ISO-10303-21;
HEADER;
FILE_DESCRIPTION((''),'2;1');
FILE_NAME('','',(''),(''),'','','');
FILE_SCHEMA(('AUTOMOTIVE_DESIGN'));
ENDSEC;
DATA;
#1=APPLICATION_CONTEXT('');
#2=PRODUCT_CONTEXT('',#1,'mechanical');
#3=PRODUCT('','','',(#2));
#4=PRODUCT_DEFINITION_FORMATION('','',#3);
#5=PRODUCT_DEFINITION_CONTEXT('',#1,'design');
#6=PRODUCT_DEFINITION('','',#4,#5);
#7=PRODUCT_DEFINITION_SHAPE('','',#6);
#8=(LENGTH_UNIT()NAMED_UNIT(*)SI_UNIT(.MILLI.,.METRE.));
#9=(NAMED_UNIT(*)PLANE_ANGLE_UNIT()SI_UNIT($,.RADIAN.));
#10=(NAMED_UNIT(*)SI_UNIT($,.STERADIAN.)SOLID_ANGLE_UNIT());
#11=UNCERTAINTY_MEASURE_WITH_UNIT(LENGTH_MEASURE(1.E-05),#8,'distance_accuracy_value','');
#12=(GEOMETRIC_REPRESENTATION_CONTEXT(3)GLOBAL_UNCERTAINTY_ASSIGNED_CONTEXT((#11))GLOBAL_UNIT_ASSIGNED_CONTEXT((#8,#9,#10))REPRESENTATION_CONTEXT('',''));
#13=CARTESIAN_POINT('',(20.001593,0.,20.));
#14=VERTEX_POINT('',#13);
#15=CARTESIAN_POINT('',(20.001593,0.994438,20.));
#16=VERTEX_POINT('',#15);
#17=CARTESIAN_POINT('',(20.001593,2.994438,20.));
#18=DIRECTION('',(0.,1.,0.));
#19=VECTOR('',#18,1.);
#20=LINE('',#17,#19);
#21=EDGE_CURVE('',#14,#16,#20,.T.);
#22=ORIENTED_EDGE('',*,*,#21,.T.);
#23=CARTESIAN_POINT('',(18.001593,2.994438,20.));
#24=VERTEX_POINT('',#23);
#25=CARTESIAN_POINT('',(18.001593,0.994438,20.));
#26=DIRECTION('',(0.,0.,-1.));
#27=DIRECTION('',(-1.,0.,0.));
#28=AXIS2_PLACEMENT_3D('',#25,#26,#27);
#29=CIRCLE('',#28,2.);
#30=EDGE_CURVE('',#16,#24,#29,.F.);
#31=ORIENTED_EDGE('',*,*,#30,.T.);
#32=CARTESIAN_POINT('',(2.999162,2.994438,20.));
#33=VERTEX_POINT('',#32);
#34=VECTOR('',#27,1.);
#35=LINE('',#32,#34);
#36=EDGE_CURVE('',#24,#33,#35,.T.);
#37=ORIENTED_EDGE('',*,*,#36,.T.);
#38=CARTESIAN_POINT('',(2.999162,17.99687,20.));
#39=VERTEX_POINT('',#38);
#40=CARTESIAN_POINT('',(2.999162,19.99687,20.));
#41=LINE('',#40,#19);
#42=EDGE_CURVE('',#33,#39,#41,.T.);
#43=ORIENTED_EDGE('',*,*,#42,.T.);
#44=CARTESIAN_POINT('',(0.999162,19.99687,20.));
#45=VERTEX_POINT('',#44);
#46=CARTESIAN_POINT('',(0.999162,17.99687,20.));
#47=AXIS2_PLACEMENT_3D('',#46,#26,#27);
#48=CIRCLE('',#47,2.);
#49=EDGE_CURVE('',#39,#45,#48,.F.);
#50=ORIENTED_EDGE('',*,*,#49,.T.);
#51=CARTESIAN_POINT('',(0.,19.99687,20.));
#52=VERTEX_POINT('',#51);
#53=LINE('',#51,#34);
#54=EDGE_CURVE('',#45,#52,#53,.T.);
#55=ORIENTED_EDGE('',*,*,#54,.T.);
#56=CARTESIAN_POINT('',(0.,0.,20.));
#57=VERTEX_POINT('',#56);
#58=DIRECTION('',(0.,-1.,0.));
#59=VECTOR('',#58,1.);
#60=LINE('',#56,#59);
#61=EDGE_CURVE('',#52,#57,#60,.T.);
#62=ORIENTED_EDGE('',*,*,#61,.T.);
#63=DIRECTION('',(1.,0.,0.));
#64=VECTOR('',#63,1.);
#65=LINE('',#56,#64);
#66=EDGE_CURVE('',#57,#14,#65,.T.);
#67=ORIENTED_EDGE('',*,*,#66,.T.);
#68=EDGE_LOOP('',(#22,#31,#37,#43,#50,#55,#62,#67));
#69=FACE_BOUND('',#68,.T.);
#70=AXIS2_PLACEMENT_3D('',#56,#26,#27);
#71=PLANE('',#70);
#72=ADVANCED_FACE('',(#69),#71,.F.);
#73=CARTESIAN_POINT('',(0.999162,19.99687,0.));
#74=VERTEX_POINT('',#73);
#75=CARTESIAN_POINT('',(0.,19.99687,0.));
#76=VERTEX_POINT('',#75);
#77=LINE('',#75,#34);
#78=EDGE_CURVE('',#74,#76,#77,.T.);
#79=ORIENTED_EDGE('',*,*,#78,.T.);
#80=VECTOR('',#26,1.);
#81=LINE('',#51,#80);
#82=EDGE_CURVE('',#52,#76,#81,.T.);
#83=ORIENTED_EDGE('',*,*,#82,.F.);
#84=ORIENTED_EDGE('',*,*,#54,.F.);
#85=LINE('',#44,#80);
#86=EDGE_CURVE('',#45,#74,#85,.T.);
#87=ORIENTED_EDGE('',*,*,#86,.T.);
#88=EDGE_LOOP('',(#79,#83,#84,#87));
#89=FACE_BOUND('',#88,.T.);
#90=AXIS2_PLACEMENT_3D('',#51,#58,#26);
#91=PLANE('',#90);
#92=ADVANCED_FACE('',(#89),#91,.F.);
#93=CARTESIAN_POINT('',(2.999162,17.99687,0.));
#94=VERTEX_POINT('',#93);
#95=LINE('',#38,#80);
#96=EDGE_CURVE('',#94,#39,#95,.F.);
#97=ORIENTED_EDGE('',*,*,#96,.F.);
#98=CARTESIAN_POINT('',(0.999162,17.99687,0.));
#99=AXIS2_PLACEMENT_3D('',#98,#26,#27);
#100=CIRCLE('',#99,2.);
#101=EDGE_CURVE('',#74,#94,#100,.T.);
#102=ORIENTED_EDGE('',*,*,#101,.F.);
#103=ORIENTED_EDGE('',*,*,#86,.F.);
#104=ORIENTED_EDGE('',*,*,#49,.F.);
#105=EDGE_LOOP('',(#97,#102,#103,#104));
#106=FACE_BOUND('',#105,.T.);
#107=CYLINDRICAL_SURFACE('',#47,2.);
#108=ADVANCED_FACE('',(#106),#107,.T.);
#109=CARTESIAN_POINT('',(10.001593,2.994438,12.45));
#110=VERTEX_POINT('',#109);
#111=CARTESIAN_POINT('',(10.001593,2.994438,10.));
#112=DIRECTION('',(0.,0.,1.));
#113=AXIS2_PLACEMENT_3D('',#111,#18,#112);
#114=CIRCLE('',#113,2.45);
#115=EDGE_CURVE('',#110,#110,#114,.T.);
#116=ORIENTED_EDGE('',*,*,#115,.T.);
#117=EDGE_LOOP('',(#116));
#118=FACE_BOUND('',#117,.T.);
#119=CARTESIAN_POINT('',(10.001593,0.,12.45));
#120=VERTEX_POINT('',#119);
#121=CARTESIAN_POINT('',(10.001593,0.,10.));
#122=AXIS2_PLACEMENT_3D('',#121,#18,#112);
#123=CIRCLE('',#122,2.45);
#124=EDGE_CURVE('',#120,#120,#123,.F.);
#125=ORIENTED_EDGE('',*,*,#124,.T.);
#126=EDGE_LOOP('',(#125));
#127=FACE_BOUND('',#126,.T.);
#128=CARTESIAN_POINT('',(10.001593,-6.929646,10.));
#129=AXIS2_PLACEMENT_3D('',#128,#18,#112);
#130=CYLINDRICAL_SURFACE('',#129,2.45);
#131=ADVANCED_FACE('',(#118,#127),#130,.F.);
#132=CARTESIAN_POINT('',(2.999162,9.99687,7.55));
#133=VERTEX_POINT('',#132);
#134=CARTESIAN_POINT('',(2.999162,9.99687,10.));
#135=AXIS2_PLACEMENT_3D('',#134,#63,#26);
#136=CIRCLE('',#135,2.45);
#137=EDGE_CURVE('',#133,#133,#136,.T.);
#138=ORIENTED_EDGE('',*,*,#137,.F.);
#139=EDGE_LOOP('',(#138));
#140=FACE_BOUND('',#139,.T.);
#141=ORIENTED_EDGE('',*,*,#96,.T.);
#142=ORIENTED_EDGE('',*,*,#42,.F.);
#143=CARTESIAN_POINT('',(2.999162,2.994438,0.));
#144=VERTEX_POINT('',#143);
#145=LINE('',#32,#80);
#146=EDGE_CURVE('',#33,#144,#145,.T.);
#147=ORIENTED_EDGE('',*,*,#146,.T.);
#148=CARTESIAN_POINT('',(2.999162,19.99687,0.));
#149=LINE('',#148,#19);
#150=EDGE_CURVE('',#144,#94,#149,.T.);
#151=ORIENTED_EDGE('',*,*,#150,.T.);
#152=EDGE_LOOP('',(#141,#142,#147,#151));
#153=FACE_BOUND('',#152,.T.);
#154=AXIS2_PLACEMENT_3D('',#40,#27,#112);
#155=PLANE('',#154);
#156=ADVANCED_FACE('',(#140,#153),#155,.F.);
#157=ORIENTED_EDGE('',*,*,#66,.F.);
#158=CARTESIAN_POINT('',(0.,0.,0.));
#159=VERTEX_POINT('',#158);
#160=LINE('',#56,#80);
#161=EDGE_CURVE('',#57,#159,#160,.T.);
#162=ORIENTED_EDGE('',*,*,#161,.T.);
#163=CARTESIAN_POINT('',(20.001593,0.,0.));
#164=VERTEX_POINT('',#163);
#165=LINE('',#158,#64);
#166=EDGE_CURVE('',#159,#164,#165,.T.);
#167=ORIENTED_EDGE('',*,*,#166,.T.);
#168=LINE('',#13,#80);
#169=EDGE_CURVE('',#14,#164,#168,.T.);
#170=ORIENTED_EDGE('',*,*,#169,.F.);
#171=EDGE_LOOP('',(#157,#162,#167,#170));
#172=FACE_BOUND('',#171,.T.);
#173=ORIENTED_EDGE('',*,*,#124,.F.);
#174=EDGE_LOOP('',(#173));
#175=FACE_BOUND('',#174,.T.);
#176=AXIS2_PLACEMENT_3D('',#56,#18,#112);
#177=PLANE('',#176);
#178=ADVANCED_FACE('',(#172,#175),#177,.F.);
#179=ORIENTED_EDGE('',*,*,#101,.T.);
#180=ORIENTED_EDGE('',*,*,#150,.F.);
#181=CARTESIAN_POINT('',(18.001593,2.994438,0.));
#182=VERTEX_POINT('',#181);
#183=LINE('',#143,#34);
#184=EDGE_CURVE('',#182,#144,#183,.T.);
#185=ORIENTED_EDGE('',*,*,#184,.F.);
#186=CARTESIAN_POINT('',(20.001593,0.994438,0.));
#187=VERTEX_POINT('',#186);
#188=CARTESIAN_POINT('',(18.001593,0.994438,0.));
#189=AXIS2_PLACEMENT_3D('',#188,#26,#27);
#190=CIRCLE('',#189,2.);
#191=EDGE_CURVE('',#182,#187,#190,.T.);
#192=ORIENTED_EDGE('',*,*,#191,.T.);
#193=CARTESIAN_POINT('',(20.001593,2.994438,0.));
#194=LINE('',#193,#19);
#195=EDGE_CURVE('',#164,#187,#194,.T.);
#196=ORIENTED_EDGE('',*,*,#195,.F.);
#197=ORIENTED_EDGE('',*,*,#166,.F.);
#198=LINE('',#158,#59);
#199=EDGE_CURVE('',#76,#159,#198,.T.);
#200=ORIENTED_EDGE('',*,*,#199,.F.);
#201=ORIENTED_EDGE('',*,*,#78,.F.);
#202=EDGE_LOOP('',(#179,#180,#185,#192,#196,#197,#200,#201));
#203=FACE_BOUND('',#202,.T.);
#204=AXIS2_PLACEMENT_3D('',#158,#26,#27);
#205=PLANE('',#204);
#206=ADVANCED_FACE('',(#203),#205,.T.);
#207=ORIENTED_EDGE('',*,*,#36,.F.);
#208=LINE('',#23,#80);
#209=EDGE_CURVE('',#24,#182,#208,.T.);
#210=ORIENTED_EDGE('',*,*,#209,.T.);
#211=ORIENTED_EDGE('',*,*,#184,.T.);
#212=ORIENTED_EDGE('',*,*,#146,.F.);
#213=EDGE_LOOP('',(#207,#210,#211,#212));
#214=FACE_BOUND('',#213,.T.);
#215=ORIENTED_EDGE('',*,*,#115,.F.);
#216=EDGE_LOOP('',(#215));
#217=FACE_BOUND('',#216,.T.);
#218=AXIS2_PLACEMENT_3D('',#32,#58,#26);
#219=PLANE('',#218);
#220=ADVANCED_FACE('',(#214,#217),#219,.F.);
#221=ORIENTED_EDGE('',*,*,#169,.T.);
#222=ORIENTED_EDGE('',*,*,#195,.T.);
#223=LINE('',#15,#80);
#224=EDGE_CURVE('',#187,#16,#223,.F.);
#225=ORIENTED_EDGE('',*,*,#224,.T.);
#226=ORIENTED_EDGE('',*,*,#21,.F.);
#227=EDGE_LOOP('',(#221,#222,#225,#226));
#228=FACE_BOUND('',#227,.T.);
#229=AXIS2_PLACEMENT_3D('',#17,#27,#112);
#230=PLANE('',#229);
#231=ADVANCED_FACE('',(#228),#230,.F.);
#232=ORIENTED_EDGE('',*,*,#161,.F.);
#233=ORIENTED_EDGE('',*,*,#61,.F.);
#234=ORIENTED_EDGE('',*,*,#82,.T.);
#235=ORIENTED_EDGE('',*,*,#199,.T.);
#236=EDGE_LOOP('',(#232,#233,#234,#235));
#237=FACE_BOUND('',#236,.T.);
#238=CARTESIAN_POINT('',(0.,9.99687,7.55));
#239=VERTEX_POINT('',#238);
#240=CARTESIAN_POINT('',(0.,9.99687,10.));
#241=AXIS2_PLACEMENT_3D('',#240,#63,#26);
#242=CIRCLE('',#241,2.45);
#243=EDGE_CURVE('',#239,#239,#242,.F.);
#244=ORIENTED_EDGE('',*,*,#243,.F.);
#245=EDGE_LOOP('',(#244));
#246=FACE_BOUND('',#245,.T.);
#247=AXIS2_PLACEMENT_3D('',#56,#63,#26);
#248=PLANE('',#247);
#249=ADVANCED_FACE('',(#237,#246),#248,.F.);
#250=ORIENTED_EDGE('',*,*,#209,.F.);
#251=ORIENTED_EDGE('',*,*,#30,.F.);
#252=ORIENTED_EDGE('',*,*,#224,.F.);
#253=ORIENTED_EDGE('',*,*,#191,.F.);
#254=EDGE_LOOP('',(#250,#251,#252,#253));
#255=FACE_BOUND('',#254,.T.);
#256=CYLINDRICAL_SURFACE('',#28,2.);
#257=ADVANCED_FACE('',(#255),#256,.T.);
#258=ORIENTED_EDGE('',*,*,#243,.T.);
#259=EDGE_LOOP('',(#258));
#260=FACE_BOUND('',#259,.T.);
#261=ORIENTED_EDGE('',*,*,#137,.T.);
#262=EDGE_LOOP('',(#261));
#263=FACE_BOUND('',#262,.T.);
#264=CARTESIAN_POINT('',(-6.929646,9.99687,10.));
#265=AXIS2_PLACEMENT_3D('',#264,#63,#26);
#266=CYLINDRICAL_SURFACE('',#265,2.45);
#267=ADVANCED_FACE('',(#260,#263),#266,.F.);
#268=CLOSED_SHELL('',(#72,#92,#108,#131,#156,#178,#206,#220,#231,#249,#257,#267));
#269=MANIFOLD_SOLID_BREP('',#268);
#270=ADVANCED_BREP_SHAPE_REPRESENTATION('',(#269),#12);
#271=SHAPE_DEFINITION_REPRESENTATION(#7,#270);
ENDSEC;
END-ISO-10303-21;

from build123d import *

# Parameters (mm, degrees)
EXTRUDE_1_DEPTH     = 20
SKETCH_3_R          = 2.45
CUT_EXTRUDE_1_DEPTH = 2.999162
SKETCH_5_R          = 2.45
CUT_EXTRUDE_2_DEPTH = 2.994438
FILLET_1_R          = 2
FILLET_2_R          = 2


with BuildPart() as part:
    # 草图1 → 凸台-拉伸1 (new body)
    with BuildSketch(Plane.XY):
        Polygon((0, 0), (20.001593334, 0), (20.001593334, 2.994438252), (2.999161685, 2.994438252), (2.999161685, 19.996869901), (0, 19.996869901), align=None)
    extrude(amount=EXTRUDE_1_DEPTH)

    # 草图3 → 切除-拉伸1 (cut)
    with BuildSketch(Plane(origin=(2.999161685, 0, 0), x_dir=(0, 0, -1), z_dir=(1, 0, 0))):
        with Locations((-10, 9.996869901)):
            Circle(SKETCH_3_R)
    extrude(amount=-CUT_EXTRUDE_1_DEPTH, mode=Mode.SUBTRACT)

    # 草图5 → 切除-拉伸2 (cut)
    with BuildSketch(Plane(origin=(0, 2.994438252, 0), x_dir=(1, 0, 0), z_dir=(0, 1, 0))):
        with Locations((10.001593334, -10)):
            Circle(SKETCH_5_R)
    extrude(amount=-CUT_EXTRUDE_2_DEPTH, mode=Mode.SUBTRACT)

    # 圆角1
    fillet_1_edges = [part.edges().sort_by_distance(p)[0] for p in [
        (2.999161685, 19.996869901, 10),
    ]]
    fillet(fillet_1_edges, radius=FILLET_1_R)

    # 圆角2
    fillet_2_edges = [part.edges().sort_by_distance(p)[0] for p in [
        (20.001593334, 2.994438252, 10),
    ]]
    fillet(fillet_2_edges, radius=FILLET_2_R)


solid = part.part
